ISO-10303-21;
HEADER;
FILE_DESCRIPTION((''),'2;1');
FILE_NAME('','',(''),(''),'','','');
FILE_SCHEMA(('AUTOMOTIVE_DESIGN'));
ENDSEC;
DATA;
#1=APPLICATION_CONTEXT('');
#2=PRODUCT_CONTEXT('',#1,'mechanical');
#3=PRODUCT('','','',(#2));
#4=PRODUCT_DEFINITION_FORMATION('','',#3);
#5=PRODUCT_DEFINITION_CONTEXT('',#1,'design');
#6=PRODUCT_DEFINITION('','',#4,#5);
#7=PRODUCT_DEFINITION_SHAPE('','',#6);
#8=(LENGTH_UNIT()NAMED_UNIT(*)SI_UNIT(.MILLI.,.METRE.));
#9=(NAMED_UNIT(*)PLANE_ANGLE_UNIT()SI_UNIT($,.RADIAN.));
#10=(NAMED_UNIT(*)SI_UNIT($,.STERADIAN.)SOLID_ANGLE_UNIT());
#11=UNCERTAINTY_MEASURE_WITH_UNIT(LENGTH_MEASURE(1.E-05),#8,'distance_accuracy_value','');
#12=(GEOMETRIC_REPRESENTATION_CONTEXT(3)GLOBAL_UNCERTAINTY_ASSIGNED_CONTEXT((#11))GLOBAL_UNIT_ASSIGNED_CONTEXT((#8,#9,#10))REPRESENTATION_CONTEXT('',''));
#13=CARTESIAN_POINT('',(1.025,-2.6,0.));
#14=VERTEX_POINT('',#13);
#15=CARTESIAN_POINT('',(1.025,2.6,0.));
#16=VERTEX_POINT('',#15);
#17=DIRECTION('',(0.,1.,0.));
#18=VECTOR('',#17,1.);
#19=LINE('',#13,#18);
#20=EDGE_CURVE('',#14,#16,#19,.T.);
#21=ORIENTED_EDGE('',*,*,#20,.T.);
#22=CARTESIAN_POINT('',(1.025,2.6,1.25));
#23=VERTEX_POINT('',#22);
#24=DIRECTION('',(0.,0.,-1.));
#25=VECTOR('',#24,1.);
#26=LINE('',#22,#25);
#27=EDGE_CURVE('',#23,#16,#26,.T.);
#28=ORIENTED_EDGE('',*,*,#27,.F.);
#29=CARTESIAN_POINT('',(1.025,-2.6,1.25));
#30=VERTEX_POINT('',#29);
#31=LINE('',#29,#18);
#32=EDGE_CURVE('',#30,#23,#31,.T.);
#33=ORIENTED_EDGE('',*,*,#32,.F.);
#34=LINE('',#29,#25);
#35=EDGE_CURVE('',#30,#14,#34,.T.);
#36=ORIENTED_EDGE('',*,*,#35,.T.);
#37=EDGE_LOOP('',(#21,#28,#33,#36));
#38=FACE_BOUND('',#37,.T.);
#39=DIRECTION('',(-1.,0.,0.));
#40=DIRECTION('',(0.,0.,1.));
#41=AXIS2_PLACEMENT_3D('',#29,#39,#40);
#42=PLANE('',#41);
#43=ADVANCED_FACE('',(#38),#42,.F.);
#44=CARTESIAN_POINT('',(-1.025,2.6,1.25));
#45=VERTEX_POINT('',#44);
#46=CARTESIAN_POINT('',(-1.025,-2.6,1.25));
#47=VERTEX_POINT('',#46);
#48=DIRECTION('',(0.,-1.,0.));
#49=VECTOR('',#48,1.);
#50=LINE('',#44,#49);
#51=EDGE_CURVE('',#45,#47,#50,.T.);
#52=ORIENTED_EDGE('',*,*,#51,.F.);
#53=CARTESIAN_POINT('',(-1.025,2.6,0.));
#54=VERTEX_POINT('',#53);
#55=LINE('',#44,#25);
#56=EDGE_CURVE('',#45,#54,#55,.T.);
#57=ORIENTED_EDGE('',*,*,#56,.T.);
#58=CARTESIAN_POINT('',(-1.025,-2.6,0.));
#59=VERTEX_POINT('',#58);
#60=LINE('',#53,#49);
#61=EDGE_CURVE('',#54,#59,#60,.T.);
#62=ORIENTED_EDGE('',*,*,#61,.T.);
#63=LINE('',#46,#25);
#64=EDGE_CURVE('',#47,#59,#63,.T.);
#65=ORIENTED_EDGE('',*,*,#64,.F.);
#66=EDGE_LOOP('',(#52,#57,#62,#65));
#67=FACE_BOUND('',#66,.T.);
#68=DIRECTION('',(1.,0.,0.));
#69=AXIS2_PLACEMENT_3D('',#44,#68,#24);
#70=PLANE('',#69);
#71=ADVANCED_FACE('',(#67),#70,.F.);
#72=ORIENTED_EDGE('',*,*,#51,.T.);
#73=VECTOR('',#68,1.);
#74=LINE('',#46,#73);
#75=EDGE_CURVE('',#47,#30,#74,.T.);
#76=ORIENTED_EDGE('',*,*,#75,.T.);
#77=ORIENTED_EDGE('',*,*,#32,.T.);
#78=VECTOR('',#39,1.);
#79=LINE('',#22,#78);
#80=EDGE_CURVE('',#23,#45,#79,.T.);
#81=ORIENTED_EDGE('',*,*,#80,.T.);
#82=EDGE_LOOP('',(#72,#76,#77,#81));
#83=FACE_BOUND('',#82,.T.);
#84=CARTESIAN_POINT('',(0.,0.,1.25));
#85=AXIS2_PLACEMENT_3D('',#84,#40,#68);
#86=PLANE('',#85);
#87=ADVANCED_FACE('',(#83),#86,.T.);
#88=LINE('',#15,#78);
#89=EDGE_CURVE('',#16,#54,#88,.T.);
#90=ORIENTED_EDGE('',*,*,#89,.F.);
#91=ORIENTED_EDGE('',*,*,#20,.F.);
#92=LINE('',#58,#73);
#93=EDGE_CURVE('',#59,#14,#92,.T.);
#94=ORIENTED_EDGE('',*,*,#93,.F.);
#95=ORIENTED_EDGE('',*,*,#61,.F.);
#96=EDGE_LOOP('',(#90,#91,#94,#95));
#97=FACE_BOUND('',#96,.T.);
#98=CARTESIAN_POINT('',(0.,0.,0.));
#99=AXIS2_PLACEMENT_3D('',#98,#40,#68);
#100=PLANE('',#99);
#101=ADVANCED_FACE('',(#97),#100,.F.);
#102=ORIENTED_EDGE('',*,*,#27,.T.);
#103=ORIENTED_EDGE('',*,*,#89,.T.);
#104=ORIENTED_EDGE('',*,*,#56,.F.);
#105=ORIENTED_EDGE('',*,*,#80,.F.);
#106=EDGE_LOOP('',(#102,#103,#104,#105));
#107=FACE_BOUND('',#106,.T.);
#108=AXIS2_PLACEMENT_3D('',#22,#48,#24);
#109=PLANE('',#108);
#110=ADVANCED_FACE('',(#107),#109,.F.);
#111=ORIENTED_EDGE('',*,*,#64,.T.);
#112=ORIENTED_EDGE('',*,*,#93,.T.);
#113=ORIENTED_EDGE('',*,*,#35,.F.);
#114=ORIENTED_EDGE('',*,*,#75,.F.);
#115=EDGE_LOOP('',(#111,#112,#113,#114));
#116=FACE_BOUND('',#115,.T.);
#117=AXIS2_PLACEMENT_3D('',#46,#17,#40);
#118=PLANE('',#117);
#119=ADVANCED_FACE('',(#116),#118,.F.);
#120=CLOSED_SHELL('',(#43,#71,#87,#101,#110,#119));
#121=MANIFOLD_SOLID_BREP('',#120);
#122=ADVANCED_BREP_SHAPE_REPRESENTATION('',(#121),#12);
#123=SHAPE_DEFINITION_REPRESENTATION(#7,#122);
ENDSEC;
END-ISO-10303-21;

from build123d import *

# Parameters (mm, degrees)
SKETCH_1_W              = 2.05
SKETCH_1_H              = 5.2
COMPONENT_OUTLINE_DEPTH = 1.25


with BuildPart() as part:
    # 草图1 → Component_Outline (new body)
    with BuildSketch(Plane.XY):
        Rectangle(SKETCH_1_W, SKETCH_1_H)
    extrude(amount=COMPONENT_OUTLINE_DEPTH)


solid = part.part
